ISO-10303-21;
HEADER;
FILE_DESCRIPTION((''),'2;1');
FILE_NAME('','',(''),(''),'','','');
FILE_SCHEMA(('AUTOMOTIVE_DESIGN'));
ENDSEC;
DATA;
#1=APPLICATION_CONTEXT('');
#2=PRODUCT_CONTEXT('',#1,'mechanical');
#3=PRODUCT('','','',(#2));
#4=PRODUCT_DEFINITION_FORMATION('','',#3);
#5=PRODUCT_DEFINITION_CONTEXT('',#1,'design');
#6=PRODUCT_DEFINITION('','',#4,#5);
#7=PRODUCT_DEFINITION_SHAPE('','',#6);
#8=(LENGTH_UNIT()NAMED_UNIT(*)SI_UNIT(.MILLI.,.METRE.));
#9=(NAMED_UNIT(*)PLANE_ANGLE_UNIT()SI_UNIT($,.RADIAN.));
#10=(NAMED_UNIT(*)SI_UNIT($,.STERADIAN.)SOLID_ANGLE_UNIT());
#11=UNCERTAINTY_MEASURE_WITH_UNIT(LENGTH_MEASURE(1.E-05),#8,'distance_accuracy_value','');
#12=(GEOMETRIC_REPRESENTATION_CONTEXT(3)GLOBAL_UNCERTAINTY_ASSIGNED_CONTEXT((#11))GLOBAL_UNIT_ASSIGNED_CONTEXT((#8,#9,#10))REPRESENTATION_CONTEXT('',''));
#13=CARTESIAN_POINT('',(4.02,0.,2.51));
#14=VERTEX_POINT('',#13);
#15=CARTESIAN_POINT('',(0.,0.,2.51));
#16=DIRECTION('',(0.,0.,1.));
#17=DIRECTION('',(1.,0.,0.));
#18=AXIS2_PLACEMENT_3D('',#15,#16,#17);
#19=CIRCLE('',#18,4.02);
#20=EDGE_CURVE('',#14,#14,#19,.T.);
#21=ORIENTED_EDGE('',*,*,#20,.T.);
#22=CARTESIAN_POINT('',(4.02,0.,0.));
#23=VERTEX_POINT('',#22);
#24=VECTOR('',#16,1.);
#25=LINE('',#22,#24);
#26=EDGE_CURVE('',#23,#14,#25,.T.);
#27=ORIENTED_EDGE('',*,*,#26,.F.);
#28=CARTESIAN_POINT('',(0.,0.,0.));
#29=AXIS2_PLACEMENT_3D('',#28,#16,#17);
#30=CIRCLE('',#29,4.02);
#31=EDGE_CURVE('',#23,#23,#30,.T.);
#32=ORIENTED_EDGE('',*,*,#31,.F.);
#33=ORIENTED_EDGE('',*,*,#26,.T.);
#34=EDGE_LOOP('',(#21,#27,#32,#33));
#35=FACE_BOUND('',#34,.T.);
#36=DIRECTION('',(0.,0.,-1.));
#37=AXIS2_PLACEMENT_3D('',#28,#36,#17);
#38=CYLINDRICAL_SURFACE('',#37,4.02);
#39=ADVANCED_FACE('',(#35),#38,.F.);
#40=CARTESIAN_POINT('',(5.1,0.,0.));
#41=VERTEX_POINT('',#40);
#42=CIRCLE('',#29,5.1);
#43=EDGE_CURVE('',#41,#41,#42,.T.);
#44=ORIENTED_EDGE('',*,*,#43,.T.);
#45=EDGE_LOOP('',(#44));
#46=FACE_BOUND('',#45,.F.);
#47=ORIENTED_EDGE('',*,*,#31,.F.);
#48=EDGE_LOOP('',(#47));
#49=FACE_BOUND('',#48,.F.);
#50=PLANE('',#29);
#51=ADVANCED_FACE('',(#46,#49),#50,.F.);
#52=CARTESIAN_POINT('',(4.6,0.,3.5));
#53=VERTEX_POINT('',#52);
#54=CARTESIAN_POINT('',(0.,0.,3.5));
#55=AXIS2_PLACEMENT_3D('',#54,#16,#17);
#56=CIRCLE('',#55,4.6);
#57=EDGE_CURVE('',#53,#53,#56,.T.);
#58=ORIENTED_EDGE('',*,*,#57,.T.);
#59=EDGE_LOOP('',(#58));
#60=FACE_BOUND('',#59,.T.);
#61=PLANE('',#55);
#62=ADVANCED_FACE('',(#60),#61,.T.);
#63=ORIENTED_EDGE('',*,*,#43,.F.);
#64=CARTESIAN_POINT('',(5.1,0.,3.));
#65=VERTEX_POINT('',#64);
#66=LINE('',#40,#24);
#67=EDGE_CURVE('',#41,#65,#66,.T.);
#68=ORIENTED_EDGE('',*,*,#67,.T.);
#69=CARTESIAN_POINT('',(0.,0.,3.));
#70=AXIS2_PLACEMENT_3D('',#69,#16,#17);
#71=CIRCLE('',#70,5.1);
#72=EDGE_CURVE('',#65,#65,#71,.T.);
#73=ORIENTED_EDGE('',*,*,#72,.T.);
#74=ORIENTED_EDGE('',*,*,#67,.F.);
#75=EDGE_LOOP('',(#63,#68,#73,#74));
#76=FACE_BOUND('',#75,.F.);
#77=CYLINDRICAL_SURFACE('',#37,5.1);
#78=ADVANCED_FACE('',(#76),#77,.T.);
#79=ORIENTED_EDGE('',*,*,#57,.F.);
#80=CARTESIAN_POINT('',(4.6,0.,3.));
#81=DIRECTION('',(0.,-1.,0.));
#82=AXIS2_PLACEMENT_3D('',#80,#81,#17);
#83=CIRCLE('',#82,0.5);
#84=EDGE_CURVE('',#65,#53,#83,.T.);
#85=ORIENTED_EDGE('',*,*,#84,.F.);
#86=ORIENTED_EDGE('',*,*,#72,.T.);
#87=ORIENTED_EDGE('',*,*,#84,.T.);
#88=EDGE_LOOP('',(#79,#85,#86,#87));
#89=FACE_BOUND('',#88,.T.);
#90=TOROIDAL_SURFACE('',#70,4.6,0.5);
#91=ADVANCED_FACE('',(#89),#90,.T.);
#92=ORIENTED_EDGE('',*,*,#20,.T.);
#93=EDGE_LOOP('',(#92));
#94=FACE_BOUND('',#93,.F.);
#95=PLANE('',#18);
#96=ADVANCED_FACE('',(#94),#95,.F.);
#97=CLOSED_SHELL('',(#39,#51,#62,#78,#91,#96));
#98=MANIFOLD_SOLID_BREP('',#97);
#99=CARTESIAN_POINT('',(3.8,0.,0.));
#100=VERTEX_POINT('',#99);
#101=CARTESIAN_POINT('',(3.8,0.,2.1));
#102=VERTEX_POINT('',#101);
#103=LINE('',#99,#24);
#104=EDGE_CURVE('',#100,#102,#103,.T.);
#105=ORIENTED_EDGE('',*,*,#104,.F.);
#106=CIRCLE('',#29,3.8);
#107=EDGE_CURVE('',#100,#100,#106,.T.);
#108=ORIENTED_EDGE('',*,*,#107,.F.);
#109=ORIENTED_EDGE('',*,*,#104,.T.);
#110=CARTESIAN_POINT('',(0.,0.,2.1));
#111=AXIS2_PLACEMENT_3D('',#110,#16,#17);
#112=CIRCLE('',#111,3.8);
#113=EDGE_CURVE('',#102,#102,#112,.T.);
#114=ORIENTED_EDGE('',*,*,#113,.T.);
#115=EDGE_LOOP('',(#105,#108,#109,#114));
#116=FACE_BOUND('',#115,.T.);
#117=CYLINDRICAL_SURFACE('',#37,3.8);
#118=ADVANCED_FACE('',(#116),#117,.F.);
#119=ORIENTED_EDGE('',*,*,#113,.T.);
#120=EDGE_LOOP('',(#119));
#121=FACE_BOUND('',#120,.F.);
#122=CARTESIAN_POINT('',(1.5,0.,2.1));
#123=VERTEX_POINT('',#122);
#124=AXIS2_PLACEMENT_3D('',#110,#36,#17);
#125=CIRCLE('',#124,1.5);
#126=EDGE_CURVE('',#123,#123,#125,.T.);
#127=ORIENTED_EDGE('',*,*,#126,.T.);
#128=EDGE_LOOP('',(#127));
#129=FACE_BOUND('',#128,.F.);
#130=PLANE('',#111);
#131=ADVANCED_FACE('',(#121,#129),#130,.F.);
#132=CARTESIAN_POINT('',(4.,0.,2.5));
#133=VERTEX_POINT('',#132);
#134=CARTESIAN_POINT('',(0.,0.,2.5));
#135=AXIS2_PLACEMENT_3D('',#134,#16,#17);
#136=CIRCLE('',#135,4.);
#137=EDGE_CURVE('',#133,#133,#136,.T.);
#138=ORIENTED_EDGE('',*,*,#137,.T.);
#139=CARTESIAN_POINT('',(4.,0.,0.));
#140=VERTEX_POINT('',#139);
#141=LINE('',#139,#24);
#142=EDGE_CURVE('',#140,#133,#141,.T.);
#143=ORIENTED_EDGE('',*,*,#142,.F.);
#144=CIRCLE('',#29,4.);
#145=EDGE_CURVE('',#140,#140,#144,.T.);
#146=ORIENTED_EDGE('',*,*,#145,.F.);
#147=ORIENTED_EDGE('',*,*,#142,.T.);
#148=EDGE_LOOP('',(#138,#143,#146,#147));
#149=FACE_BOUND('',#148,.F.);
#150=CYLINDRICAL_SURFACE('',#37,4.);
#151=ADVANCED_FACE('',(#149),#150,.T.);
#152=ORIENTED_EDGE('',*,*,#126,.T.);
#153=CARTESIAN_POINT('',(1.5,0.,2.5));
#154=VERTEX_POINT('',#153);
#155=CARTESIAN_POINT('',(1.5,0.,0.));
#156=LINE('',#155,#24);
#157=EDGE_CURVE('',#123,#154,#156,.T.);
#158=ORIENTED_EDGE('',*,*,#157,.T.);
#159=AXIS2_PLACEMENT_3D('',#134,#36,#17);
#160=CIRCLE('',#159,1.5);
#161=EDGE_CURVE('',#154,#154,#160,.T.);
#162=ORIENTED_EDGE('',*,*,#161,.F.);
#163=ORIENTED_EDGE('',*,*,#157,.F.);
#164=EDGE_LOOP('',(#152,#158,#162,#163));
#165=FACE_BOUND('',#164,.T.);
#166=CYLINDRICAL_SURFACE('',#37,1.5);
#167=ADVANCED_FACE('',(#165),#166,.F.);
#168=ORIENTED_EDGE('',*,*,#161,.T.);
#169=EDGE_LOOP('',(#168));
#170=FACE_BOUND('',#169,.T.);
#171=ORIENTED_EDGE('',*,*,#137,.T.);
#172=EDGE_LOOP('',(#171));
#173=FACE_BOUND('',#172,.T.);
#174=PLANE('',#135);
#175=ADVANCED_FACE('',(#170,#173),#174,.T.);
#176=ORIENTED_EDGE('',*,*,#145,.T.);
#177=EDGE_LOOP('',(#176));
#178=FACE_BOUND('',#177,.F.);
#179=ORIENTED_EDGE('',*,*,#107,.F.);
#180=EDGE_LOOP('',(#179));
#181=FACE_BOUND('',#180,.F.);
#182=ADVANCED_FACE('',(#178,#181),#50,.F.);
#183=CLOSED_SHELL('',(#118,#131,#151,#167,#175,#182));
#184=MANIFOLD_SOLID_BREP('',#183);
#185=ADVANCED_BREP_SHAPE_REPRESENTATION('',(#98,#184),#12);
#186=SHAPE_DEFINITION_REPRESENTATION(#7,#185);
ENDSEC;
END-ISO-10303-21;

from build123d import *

# Parameters (mm, degrees)
CYLINDER001_R     = 4.02
CYLINDER001_DEPTH = 2.51
CYLINDER_R        = 5.1
CYLINDER_DEPTH    = 3.5
FILLET_R          = 0.5
CYLINDER004_R     = 1.5
CYLINDER004_DEPTH = 3
CYLINDER003_R     = 3.8
CYLINDER003_DEPTH = 2.1
CYLINDER002_R     = 4
CYLINDER002_DEPTH = 2.5


with BuildPart() as cylinder001:
    # Cylinder001 → Cylinder001 (new body)
    with BuildSketch(Plane.XY):
        Circle(CYLINDER001_R)
    extrude(amount=CYLINDER001_DEPTH)


with BuildPart() as fillet_body:
    # Cylinder → Cylinder (new body)
    with BuildSketch(Plane.XY):
        Circle(CYLINDER_R)
    extrude(amount=CYLINDER_DEPTH)

    # Cut: cut Cylinder001
    add(cylinder001.part, mode=Mode.SUBTRACT)

    # Fillet
    fillet_edges = [fillet_body.edges().sort_by_distance(p)[0] for p in [
        (-5.1, 0, 3.5),
    ]]
    fillet(fillet_edges, radius=FILLET_R)


with BuildPart() as cylinder004:
    # Cylinder004 → Cylinder004 (new body)
    with BuildSketch(Plane.XY):
        Circle(CYLINDER004_R)
    extrude(amount=CYLINDER004_DEPTH)


with BuildPart() as fusion:
    # Cylinder003 → Cylinder003 (new body)
    with BuildSketch(Plane.XY):
        Circle(CYLINDER003_R)
    extrude(amount=CYLINDER003_DEPTH)

    # Fusion: union Cylinder004
    add(cylinder004.part)


with BuildPart() as cut001:
    # Cylinder002 → Cylinder002 (new body)
    with BuildSketch(Plane.XY):
        Circle(CYLINDER002_R)
    extrude(amount=CYLINDER002_DEPTH)

    # Cut001: cut Fusion
    add(fusion.part, mode=Mode.SUBTRACT)


solid = Compound([fillet_body.part, cut001.part])
